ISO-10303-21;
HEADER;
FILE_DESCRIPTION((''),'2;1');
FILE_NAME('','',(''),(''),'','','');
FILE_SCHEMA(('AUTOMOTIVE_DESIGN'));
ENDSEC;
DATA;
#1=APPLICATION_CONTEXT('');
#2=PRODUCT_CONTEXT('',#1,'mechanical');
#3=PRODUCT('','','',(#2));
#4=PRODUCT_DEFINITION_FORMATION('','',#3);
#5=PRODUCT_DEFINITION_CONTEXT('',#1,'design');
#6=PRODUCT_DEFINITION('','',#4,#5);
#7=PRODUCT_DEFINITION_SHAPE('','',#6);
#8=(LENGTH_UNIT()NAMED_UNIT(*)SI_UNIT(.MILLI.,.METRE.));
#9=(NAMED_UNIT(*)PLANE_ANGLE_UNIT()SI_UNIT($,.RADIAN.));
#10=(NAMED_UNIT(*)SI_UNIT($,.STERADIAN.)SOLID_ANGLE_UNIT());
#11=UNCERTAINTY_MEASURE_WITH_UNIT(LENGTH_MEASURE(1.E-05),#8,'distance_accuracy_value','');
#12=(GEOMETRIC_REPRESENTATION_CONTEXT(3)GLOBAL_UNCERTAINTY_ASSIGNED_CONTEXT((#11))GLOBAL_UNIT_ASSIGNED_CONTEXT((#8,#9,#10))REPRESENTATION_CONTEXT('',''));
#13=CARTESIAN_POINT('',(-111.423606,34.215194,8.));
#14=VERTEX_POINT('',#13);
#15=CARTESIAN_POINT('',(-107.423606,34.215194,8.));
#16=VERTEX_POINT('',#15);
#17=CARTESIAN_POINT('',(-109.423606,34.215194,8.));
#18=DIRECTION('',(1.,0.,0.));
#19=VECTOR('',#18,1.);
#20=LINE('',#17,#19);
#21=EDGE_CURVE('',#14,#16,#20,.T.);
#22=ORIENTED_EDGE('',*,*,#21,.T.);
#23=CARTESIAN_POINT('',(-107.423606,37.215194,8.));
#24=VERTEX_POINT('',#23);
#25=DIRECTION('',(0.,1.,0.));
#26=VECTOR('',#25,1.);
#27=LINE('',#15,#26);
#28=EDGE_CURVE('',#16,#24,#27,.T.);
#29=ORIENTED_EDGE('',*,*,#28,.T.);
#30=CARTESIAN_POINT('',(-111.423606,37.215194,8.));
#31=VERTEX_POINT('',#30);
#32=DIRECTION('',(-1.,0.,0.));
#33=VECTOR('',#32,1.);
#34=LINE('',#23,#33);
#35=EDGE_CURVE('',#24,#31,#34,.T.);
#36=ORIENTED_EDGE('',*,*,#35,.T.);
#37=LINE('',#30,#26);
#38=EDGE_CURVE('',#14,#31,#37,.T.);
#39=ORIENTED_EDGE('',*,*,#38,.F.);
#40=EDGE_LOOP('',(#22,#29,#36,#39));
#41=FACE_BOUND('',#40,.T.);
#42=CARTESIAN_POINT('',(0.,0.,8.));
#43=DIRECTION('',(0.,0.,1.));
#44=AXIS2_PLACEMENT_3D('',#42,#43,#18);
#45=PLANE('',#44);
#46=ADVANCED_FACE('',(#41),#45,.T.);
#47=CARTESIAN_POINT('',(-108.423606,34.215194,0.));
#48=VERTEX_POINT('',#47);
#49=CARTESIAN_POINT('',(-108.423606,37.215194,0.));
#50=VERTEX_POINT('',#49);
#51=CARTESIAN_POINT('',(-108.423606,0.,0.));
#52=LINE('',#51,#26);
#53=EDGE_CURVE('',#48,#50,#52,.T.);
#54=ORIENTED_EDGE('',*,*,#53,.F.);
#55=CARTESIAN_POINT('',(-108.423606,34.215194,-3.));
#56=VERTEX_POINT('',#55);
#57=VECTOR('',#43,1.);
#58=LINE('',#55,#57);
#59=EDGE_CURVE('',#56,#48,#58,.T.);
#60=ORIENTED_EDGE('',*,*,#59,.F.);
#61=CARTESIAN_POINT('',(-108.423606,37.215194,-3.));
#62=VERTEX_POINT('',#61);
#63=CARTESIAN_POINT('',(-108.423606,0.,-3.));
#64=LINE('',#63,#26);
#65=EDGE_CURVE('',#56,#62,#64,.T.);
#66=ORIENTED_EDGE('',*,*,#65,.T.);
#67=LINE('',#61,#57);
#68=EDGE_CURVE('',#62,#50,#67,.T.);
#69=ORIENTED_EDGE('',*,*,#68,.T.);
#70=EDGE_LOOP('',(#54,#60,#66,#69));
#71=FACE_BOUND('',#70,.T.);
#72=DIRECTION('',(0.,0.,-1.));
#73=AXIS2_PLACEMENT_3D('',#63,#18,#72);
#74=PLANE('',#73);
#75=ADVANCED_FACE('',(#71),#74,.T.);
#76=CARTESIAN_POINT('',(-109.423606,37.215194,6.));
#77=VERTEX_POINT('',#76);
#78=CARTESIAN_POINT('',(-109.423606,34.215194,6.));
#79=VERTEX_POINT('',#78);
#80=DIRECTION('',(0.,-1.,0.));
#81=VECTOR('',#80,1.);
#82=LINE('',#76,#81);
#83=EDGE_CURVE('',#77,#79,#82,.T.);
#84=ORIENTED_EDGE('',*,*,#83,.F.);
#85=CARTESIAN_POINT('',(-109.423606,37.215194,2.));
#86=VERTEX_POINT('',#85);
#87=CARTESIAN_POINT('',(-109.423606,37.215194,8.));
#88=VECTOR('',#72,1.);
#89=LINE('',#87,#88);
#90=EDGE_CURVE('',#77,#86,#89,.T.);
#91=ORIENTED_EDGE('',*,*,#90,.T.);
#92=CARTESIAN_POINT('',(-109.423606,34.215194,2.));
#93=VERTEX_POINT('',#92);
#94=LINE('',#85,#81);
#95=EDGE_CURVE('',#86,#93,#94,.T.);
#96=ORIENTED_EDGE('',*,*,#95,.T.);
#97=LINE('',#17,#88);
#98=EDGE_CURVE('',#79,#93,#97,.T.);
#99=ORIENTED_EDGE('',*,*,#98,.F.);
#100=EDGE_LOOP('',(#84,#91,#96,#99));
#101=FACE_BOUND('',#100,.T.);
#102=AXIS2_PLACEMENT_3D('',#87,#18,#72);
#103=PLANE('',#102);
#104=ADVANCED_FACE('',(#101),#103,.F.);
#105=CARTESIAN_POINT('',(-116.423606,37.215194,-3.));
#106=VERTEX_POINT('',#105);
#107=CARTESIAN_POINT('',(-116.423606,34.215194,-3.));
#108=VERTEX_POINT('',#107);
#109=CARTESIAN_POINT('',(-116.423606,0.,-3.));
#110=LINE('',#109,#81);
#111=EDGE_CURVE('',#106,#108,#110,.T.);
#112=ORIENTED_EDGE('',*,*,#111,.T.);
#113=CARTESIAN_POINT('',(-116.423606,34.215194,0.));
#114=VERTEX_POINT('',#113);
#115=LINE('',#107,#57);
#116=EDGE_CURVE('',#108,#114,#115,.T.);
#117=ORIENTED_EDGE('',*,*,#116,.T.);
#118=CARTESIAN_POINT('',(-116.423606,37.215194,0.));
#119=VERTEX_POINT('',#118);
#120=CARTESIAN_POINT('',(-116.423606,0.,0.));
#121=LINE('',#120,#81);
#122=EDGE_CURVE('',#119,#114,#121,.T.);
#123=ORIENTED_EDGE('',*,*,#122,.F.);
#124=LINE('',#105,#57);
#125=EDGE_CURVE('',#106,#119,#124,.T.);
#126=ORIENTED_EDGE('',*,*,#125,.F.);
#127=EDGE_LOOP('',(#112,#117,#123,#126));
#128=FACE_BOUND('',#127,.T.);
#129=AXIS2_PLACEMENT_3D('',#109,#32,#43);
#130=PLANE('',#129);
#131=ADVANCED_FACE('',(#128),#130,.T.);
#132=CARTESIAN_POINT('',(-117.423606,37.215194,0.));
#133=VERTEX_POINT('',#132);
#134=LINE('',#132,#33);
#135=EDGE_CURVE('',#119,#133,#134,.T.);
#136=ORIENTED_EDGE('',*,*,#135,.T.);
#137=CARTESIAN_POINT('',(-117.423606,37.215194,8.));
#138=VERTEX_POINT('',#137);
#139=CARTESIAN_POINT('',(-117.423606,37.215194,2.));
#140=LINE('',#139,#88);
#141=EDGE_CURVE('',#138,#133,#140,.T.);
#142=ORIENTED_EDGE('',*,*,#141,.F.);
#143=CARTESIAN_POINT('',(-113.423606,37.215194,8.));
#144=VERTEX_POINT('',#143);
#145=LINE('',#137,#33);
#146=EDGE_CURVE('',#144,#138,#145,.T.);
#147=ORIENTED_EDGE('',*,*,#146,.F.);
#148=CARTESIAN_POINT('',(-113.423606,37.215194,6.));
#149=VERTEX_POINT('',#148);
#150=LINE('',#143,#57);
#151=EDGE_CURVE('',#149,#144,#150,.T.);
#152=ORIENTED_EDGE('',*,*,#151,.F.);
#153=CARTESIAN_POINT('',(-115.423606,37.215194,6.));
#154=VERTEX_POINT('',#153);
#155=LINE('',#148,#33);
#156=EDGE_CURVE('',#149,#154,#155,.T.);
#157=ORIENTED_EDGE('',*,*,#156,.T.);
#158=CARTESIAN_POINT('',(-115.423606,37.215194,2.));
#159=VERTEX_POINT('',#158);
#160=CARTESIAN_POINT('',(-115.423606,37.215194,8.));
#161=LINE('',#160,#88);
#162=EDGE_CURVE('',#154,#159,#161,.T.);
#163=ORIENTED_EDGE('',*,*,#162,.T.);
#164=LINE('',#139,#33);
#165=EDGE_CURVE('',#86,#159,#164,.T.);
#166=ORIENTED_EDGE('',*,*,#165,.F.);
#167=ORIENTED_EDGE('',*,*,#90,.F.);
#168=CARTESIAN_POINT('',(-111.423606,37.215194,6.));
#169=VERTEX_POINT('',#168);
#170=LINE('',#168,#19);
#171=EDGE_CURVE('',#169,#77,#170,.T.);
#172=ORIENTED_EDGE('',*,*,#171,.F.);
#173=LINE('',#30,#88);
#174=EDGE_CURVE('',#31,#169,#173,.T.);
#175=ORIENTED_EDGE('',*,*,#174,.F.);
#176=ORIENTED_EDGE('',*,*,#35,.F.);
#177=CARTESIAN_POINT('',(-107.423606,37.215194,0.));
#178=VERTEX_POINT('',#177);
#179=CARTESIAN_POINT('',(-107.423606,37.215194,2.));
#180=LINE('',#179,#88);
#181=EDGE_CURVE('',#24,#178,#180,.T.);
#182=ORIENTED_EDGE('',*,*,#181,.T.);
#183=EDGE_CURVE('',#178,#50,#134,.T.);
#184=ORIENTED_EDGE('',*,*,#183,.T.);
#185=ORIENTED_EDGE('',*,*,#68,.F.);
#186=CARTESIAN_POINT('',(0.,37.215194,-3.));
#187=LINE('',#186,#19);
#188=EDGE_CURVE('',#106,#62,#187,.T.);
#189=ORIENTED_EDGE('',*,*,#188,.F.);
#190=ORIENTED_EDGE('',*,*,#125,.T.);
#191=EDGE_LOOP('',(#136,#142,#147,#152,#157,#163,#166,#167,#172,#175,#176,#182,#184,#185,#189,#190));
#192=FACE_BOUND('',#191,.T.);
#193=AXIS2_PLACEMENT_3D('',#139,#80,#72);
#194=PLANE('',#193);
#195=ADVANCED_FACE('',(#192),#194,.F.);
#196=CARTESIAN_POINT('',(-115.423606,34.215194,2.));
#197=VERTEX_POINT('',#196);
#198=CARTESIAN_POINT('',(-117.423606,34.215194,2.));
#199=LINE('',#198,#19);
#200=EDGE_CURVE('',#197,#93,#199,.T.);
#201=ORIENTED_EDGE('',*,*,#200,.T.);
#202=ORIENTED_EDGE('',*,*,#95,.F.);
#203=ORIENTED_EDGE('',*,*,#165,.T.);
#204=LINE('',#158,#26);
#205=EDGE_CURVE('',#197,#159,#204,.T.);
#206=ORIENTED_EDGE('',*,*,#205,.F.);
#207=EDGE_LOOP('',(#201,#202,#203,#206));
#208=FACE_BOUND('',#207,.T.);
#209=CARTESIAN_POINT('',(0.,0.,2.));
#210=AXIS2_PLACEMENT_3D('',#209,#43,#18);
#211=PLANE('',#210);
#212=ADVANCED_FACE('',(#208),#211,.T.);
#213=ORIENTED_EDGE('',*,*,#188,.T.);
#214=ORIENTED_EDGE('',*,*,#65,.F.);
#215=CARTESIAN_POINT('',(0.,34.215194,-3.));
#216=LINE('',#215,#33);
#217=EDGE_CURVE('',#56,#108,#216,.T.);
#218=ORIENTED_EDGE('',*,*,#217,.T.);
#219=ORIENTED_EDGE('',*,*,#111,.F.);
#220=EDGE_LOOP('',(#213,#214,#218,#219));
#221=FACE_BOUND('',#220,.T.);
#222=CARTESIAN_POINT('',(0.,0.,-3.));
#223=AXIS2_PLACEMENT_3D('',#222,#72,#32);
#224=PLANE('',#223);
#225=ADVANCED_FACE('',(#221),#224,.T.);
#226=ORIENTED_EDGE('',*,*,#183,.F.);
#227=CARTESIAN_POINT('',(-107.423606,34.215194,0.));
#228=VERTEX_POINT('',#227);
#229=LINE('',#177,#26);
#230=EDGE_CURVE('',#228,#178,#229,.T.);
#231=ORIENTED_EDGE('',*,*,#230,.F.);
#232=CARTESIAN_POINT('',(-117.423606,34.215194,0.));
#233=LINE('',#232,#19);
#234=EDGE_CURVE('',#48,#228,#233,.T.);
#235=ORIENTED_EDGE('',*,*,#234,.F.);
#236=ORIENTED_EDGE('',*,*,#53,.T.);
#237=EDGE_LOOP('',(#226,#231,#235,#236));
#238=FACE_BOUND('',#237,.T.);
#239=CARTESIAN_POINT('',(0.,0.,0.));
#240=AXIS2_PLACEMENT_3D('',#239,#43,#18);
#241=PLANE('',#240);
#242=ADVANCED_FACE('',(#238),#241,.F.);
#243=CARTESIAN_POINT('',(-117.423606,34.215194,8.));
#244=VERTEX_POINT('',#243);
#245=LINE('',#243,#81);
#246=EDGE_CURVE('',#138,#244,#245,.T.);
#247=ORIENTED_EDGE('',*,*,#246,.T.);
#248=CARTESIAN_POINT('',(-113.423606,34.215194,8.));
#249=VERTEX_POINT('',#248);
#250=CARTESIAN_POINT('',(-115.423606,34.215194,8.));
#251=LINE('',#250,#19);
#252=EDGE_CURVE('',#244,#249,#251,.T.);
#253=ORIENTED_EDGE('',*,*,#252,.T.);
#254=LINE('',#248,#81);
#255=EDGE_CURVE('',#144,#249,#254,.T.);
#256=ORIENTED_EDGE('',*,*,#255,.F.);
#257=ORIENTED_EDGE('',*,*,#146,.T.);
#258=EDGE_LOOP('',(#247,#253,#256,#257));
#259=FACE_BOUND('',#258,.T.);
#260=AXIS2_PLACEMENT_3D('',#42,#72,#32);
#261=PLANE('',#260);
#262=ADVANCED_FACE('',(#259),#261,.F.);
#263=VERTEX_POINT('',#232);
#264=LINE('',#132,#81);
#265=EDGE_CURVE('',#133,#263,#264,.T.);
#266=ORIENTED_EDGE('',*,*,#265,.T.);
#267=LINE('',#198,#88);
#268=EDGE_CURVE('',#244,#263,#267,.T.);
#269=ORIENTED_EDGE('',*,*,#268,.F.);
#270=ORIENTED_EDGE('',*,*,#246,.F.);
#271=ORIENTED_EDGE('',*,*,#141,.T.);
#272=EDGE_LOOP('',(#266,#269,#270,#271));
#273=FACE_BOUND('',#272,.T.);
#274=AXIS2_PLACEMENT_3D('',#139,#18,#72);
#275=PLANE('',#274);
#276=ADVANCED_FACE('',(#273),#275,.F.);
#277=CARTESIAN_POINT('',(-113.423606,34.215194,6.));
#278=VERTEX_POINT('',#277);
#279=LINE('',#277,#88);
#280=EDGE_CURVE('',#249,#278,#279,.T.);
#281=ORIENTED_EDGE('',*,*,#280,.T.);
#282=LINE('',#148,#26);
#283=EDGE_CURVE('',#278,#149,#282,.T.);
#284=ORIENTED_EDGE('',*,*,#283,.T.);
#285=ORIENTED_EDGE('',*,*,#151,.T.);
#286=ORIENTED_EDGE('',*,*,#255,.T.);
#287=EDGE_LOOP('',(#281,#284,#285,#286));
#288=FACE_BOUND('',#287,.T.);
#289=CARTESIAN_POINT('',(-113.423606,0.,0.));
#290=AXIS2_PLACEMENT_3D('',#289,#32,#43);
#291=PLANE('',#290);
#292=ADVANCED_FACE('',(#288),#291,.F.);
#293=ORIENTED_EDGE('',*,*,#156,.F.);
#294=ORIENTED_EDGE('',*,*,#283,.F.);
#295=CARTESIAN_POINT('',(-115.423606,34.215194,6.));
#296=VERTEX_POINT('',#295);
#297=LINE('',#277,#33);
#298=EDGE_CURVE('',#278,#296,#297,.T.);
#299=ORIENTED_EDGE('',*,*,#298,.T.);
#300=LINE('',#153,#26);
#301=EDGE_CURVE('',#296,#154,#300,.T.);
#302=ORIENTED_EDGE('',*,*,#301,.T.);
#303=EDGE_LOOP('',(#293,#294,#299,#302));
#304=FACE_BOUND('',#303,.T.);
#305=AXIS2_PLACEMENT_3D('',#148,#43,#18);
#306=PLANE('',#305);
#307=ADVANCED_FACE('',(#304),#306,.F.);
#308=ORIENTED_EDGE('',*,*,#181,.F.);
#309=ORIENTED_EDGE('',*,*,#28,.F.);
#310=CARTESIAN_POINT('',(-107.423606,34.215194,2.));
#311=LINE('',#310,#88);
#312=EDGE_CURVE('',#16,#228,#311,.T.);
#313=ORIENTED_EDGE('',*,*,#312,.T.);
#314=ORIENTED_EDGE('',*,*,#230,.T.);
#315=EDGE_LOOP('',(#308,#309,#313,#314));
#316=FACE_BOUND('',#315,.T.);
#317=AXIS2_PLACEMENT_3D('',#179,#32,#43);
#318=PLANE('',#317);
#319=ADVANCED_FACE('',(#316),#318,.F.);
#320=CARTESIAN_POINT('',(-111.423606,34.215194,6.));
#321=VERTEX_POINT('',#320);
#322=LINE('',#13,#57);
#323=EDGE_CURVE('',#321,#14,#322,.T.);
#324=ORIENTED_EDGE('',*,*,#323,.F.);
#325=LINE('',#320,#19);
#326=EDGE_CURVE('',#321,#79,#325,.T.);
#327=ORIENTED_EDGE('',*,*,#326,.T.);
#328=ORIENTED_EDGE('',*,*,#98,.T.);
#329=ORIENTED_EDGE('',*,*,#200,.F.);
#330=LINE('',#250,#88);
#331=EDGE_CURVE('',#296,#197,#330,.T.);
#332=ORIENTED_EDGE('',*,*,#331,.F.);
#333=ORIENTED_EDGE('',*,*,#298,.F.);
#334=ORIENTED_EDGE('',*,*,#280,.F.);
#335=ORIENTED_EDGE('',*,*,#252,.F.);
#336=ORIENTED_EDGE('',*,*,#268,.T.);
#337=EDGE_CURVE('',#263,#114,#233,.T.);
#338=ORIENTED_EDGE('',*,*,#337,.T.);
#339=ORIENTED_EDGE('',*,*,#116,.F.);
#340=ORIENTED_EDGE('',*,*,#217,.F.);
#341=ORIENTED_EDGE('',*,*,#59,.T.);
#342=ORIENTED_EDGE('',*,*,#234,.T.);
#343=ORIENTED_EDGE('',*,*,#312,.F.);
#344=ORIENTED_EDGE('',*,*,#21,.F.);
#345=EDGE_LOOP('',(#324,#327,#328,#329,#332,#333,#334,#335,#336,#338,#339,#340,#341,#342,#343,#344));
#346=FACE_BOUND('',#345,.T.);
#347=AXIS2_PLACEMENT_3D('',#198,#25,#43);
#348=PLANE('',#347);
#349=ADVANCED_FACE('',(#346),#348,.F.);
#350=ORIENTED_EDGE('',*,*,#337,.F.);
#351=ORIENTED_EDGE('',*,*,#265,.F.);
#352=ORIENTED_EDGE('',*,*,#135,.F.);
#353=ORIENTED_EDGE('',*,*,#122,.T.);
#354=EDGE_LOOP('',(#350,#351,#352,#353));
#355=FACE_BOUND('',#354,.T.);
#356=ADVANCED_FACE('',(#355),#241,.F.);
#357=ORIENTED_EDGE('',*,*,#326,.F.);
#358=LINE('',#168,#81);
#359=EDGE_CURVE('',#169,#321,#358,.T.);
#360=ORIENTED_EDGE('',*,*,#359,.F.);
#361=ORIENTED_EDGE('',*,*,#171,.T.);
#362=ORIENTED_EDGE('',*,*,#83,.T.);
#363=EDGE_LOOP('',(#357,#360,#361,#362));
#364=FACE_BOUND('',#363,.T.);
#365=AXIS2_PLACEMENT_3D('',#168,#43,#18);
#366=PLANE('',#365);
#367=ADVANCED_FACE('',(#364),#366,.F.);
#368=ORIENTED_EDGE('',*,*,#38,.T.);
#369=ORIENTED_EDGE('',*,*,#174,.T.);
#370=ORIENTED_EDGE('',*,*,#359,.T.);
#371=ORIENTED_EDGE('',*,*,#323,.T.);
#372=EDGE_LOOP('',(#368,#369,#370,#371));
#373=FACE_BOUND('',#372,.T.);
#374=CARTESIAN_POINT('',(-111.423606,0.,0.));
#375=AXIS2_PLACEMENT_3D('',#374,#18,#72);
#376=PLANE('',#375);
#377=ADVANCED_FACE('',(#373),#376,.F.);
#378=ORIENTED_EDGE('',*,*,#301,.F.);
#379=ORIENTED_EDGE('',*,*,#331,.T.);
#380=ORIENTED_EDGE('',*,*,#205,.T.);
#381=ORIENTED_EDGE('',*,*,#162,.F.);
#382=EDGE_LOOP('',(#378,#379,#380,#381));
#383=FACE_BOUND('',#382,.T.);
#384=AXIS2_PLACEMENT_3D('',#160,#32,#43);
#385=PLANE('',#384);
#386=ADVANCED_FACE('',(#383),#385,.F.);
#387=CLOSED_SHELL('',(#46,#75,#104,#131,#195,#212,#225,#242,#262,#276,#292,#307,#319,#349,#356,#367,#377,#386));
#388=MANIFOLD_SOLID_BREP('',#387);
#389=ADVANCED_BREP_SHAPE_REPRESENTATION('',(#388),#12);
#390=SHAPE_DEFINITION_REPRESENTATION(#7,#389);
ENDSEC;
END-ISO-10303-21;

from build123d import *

# Parameters (mm, degrees)
SKETCH4_W           = 10
SKETCH4_H           = 3
BOSS_EXTRUDE2_DEPTH = 2
SKETCH5_W           = 4
SKETCH5_H           = 3
BOSS_EXTRUDE3_DEPTH = 3
SKETCH6_W           = 2
SKETCH6_H           = 3
BOSS_EXTRUDE4_DEPTH = 6
SKETCH7_W           = 2
SKETCH7_H           = 3
BOSS_EXTRUDE5_DEPTH = 2
SKETCH8_W           = 2
SKETCH8_H           = 3
BOSS_EXTRUDE6_DEPTH = 2


with BuildPart() as part:
    # Sketch4 → Boss-Extrude2 (new body)
    with BuildSketch(Plane.XY):
        with Locations((-112.42360649, 35.715193832)):
            Rectangle(SKETCH4_W, SKETCH4_H)
    extrude(amount=BOSS_EXTRUDE2_DEPTH)

    # Sketch5 → Boss-Extrude3 (add)
    with BuildSketch(Plane(origin=(0, 0, 0), x_dir=(-1, 0, 0), z_dir=(0, 0, -1))):
        with Locations((114.42360649, 35.715193832)):
            Rectangle(SKETCH5_W, SKETCH5_H)
        with Locations((110.42360649, 35.715193832)):
            Rectangle(SKETCH5_W, SKETCH5_H)
    extrude(amount=BOSS_EXTRUDE3_DEPTH)

    # Sketch6 → Boss-Extrude4 (add)
    with BuildSketch(Plane.XY.offset(2)):
        with Locations((-108.42360649, 35.715193832)):
            Rectangle(SKETCH6_W, SKETCH6_H)
        with Locations((-116.42360649, 35.715193832)):
            Rectangle(SKETCH6_W, SKETCH6_H)
    extrude(amount=BOSS_EXTRUDE4_DEPTH)

    # Sketch7 → Boss-Extrude5 (add)
    with BuildSketch(Plane(origin=(-115.42360649, 0, 0), x_dir=(0, 0, -1), z_dir=(1, 0, 0))):
        with Locations((-7, 35.715193832)):
            Rectangle(SKETCH7_W, SKETCH7_H)
    extrude(amount=BOSS_EXTRUDE5_DEPTH)

    # Sketch8 → Boss-Extrude6 (add)
    with BuildSketch(Plane.ZY.offset(109.42360649)):
        with Locations((7, 35.715193832)):
            Rectangle(SKETCH8_W, SKETCH8_H)
    extrude(amount=BOSS_EXTRUDE6_DEPTH)


solid = part.part
